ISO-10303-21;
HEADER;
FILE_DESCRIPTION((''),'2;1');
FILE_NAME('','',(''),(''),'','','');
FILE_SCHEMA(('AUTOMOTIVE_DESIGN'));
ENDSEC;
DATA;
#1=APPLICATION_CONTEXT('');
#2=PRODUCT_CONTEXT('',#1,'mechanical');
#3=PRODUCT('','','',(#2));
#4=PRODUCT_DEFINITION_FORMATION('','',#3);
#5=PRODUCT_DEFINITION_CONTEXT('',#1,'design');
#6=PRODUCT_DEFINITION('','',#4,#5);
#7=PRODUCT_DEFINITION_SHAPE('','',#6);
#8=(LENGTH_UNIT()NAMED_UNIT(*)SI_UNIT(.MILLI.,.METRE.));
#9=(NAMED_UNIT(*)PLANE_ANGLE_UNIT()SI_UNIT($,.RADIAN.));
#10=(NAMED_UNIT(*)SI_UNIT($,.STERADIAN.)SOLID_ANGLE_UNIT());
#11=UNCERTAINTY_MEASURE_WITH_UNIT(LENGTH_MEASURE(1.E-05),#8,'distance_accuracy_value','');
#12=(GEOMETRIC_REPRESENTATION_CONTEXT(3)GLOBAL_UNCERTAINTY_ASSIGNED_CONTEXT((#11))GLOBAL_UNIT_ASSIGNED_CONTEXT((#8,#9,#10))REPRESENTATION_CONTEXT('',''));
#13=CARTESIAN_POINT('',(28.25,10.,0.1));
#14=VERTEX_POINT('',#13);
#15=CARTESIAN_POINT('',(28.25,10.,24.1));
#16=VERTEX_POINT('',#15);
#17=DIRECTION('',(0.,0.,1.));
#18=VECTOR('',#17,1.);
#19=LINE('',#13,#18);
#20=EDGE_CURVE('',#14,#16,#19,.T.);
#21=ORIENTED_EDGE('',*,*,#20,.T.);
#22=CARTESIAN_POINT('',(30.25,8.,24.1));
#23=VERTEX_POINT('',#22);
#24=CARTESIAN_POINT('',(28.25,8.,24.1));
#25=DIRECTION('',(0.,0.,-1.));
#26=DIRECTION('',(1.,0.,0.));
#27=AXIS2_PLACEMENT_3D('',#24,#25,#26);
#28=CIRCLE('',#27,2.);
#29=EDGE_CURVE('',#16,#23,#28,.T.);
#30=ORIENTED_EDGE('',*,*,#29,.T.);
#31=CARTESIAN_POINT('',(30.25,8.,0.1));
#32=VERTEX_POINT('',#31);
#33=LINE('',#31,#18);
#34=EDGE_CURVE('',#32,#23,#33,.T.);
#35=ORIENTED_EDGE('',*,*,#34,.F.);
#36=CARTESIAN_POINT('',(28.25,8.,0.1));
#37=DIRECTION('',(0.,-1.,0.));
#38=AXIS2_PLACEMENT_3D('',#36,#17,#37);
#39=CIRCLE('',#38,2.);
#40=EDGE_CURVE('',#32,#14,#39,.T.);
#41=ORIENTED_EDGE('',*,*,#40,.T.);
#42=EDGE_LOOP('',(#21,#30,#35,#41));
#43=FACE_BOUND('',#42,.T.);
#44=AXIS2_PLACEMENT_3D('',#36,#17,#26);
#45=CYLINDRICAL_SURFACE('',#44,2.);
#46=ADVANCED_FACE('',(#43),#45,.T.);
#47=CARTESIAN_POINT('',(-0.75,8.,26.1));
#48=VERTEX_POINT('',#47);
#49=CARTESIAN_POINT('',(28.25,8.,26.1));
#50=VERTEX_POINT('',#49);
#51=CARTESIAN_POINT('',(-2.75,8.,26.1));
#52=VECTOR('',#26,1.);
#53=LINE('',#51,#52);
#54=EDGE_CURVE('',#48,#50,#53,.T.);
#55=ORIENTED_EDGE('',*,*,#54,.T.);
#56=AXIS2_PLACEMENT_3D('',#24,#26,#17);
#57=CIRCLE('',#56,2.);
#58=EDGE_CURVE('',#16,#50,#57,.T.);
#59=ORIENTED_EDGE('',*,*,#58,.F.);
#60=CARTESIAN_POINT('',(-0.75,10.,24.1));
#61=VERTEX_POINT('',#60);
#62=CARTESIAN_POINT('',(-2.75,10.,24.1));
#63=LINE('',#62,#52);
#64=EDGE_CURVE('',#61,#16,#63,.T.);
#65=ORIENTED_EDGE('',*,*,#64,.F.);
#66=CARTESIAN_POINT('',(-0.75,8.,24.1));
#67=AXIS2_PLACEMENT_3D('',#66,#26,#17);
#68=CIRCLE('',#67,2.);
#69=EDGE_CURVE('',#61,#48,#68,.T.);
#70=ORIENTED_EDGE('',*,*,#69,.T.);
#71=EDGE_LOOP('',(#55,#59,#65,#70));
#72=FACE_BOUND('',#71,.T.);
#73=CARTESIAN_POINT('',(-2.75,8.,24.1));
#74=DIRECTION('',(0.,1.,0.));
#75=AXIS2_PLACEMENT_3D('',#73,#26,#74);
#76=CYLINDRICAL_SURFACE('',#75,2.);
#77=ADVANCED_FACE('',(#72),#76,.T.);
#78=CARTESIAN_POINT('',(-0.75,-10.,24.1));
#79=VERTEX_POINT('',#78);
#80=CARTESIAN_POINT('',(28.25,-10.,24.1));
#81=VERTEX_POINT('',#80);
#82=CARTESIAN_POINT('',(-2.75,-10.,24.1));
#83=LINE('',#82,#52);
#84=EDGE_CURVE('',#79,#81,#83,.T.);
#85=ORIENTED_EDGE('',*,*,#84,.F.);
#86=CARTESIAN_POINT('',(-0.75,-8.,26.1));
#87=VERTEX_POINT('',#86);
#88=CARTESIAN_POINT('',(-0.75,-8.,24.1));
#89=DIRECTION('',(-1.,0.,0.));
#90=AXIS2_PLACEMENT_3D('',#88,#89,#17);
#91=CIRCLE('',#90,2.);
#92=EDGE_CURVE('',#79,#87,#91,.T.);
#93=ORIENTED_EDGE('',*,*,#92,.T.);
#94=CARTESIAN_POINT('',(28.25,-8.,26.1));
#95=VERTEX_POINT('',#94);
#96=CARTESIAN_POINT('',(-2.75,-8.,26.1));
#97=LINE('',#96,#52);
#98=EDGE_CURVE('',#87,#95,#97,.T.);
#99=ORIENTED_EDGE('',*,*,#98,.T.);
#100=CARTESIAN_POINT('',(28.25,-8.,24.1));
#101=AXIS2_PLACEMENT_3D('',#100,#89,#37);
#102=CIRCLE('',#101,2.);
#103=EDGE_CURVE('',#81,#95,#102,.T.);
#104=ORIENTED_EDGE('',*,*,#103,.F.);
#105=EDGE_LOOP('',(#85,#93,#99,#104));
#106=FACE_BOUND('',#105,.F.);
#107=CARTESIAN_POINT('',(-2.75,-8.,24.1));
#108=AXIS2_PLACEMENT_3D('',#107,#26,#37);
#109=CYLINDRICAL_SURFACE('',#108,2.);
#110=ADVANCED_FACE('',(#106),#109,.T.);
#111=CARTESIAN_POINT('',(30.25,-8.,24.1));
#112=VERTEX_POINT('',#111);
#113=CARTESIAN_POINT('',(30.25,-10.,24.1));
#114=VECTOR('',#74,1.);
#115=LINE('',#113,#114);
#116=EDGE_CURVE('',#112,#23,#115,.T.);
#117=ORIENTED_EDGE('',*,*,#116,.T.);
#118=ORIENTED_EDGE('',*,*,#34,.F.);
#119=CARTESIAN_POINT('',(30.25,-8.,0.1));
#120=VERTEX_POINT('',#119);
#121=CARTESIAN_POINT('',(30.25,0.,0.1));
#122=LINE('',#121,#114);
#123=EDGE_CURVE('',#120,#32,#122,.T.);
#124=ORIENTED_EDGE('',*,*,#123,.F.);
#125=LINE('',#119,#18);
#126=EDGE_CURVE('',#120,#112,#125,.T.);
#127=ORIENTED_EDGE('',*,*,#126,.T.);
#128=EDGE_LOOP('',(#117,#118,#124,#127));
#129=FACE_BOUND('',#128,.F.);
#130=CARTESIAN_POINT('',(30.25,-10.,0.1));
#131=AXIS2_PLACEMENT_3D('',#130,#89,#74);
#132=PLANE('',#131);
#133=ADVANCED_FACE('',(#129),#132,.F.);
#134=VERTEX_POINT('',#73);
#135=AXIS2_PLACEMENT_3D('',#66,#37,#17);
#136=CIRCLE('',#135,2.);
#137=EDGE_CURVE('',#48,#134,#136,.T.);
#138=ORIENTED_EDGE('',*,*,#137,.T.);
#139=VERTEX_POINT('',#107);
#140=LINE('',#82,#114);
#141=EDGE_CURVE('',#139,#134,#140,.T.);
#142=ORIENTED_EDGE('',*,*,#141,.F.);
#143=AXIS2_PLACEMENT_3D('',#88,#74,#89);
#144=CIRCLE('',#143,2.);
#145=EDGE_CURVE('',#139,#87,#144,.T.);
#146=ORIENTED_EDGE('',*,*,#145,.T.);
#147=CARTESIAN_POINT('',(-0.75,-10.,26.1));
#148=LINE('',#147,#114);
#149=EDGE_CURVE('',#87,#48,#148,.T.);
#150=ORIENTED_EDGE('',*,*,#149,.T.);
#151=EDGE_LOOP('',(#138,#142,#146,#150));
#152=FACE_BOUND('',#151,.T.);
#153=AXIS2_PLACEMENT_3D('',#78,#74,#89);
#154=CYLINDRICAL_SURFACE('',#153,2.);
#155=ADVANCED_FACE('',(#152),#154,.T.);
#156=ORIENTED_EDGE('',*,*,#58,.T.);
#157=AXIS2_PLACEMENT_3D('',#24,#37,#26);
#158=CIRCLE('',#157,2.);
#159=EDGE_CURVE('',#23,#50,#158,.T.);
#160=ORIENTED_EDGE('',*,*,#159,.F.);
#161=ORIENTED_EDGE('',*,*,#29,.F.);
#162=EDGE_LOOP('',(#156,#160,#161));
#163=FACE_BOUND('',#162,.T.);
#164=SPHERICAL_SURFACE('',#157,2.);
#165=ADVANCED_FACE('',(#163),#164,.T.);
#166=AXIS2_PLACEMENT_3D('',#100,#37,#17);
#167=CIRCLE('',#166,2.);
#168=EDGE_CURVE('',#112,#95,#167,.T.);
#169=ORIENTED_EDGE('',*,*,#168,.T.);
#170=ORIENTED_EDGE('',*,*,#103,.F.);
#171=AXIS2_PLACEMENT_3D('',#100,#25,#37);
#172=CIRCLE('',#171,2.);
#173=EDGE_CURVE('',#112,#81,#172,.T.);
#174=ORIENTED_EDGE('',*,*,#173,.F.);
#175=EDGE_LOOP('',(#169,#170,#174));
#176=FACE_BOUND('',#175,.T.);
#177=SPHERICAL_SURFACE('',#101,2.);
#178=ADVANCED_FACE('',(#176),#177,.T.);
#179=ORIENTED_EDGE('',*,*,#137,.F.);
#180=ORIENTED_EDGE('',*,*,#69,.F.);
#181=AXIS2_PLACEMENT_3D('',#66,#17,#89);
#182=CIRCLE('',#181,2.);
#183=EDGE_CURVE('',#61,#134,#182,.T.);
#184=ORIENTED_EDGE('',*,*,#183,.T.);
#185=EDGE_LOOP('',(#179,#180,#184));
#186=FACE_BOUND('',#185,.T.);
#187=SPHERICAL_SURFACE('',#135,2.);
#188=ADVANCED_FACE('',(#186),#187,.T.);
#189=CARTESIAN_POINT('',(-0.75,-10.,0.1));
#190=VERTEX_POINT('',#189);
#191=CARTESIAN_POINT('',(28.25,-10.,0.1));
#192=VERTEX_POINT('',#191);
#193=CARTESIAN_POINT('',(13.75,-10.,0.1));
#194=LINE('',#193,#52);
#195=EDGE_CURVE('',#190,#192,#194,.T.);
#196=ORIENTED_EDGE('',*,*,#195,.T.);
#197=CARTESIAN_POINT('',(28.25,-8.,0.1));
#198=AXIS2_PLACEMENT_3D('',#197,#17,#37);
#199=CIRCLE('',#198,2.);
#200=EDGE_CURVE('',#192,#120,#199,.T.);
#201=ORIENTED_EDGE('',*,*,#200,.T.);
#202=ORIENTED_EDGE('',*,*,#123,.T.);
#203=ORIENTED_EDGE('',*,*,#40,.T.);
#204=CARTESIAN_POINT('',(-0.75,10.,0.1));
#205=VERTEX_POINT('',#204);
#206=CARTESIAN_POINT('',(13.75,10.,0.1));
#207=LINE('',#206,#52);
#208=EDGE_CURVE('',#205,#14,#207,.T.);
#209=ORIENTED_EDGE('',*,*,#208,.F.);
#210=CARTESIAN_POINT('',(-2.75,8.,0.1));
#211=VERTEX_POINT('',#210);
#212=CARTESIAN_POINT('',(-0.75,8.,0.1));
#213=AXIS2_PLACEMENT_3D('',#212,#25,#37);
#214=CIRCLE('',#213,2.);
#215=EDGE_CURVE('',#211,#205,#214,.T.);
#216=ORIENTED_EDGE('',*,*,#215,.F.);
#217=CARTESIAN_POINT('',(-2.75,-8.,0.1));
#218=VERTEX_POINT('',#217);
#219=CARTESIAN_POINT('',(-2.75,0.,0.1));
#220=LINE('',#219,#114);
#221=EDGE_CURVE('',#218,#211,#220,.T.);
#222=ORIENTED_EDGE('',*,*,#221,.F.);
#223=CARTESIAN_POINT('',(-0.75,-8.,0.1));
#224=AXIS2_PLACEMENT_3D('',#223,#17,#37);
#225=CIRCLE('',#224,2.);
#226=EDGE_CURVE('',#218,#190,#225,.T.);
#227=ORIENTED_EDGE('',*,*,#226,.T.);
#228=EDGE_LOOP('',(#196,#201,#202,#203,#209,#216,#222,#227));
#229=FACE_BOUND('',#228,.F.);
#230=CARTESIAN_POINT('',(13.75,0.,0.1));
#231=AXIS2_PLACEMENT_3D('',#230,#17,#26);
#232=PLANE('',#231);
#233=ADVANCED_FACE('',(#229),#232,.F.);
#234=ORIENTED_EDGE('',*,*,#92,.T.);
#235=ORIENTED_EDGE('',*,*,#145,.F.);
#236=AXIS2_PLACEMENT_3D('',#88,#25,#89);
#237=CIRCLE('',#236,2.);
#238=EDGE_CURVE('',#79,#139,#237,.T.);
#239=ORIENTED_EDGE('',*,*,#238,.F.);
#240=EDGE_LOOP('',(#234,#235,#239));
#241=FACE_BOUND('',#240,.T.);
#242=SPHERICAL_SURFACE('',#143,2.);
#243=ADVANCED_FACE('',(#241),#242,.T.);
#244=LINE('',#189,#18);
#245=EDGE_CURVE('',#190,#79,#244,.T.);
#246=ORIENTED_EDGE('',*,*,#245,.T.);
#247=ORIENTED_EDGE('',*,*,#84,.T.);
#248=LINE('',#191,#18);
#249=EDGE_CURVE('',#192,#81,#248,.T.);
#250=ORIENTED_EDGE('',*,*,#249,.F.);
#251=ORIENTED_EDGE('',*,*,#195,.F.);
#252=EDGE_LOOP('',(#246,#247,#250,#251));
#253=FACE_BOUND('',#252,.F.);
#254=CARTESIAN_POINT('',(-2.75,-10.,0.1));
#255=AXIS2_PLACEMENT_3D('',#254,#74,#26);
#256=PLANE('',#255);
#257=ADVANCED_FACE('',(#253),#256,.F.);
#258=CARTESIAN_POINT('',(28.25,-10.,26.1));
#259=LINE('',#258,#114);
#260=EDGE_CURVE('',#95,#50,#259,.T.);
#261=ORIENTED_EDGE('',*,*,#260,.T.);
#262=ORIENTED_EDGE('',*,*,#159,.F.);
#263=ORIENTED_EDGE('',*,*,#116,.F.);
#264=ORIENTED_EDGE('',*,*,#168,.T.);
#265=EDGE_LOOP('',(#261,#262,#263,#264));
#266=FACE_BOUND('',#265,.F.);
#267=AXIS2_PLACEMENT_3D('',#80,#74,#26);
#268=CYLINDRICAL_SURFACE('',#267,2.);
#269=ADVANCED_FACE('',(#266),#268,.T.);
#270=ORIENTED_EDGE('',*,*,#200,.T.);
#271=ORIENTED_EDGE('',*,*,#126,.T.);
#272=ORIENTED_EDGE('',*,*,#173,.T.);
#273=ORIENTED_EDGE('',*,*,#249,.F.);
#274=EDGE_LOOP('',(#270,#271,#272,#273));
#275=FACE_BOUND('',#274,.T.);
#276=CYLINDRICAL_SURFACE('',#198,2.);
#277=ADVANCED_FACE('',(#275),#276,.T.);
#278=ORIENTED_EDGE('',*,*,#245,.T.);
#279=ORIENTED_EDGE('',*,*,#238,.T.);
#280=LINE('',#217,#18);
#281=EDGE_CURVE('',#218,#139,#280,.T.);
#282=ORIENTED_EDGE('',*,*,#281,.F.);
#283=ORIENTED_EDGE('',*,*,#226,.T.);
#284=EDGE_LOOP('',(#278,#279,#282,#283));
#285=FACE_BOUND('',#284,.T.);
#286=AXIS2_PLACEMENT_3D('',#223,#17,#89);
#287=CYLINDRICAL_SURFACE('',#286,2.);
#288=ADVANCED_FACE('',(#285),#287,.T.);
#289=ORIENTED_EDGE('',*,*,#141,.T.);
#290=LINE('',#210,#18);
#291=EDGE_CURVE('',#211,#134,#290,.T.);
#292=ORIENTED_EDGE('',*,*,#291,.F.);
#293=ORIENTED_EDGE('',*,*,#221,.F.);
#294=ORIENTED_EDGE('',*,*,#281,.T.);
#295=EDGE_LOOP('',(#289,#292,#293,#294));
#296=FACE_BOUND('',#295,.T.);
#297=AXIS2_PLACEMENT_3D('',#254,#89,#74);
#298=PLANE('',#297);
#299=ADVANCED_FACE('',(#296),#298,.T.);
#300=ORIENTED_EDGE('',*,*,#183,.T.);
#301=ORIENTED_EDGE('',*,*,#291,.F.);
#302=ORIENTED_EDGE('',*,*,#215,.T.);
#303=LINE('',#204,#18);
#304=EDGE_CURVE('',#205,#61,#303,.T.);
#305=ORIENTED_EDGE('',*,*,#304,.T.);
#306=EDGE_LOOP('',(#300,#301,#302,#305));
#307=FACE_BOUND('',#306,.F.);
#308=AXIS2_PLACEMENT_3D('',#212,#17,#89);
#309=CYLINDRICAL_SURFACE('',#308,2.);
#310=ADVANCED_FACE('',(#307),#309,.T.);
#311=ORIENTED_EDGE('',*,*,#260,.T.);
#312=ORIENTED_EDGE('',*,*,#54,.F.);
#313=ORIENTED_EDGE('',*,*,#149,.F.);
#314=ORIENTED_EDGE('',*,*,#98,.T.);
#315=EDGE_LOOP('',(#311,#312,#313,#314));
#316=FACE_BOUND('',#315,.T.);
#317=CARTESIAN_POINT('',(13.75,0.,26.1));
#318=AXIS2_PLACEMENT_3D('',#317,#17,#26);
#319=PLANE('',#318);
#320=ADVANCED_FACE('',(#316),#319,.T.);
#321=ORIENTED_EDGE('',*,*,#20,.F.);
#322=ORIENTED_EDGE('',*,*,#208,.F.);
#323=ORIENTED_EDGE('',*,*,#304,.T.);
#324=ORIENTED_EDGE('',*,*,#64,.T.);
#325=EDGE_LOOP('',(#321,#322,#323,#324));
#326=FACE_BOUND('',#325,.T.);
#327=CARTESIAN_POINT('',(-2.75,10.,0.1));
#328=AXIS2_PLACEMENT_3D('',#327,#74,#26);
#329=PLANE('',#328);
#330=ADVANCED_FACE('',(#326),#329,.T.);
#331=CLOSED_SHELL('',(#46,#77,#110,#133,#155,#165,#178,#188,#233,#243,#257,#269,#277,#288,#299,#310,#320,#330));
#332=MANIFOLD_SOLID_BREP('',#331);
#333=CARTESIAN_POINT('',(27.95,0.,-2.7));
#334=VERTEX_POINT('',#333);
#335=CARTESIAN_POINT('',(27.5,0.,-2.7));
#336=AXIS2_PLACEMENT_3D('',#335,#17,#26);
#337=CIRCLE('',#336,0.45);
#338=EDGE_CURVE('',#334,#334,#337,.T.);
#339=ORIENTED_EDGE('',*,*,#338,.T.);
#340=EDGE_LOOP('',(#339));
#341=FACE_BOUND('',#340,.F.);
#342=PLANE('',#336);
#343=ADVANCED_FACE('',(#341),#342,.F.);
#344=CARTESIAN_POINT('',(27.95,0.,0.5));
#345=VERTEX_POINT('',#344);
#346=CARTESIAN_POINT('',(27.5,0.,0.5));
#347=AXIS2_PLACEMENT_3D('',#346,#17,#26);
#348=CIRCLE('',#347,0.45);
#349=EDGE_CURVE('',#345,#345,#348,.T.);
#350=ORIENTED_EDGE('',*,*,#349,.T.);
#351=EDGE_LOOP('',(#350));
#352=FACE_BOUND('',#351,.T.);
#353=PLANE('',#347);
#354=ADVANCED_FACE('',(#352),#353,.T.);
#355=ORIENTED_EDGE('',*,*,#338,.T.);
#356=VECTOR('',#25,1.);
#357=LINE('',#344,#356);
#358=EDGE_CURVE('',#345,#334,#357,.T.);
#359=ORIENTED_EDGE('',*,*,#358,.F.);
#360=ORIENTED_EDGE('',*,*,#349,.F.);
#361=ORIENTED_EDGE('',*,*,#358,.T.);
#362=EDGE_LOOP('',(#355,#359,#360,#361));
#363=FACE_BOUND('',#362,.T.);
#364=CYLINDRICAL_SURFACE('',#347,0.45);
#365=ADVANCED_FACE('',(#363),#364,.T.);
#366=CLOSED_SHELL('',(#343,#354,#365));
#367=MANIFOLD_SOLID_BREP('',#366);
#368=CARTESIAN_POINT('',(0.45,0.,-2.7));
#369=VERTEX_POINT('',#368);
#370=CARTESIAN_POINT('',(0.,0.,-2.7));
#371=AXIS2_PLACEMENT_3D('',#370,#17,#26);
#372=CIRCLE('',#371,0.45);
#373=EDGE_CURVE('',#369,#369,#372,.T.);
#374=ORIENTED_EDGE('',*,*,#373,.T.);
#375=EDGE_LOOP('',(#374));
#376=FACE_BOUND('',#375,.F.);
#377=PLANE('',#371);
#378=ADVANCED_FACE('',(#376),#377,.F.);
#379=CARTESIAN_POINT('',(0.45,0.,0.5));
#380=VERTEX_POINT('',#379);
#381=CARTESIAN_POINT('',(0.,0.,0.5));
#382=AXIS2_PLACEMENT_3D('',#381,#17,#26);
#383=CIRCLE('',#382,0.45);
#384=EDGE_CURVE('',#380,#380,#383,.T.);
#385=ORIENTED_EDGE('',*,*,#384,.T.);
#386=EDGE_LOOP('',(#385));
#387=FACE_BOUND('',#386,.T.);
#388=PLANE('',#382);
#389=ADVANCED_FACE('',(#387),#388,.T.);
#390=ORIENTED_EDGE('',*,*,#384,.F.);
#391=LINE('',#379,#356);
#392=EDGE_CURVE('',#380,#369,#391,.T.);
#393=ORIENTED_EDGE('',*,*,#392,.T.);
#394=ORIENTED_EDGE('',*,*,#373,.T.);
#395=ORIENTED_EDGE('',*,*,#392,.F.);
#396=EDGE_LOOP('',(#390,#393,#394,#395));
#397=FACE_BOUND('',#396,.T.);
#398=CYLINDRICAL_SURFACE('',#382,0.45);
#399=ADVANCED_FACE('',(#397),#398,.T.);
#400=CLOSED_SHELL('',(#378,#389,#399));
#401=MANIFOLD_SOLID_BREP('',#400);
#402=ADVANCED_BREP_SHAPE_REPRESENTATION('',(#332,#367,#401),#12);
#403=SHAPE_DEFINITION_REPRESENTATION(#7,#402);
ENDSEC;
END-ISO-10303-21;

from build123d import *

# Parameters (mm, degrees)
SKETCH_W     = 33
SKETCH_H     = 20
PAD_DEPTH    = 26
FILLET_R     = 2
SKETCH001_R  = 0.45
PAD001_DEPTH = 3.2


with BuildPart() as fillet_body:
    # Sketch → Pad (new body)
    with BuildSketch(Plane.XY.offset(0.1)):
        with Locations((13.75, 0)):
            Rectangle(SKETCH_W, SKETCH_H)
    extrude(amount=PAD_DEPTH)

    # Fillet
    fillet_edges = [fillet_body.edges().sort_by_distance(p)[0] for p in [
        (-2.75, 0, 26.1),
        (-2.75, -10, 13.1),
        (13.75, -10, 26.1),
        (30.25, -10, 13.1),
        (30.25, 0, 26.1),
        (30.25, 10, 13.1),
        (13.75, 10, 26.1),
        (-2.75, 10, 13.1),
    ]]
    fillet(fillet_edges, radius=FILLET_R)


with BuildPart() as pad001:
    # Sketch001 → Pad001 (new body)
    with BuildSketch(Plane.XY.offset(0.5)):
        Circle(SKETCH001_R)
        with Locations((27.5, 0)):
            Circle(SKETCH001_R)
    extrude(amount=-PAD001_DEPTH)


solid = Compound([fillet_body.part, pad001.part])
